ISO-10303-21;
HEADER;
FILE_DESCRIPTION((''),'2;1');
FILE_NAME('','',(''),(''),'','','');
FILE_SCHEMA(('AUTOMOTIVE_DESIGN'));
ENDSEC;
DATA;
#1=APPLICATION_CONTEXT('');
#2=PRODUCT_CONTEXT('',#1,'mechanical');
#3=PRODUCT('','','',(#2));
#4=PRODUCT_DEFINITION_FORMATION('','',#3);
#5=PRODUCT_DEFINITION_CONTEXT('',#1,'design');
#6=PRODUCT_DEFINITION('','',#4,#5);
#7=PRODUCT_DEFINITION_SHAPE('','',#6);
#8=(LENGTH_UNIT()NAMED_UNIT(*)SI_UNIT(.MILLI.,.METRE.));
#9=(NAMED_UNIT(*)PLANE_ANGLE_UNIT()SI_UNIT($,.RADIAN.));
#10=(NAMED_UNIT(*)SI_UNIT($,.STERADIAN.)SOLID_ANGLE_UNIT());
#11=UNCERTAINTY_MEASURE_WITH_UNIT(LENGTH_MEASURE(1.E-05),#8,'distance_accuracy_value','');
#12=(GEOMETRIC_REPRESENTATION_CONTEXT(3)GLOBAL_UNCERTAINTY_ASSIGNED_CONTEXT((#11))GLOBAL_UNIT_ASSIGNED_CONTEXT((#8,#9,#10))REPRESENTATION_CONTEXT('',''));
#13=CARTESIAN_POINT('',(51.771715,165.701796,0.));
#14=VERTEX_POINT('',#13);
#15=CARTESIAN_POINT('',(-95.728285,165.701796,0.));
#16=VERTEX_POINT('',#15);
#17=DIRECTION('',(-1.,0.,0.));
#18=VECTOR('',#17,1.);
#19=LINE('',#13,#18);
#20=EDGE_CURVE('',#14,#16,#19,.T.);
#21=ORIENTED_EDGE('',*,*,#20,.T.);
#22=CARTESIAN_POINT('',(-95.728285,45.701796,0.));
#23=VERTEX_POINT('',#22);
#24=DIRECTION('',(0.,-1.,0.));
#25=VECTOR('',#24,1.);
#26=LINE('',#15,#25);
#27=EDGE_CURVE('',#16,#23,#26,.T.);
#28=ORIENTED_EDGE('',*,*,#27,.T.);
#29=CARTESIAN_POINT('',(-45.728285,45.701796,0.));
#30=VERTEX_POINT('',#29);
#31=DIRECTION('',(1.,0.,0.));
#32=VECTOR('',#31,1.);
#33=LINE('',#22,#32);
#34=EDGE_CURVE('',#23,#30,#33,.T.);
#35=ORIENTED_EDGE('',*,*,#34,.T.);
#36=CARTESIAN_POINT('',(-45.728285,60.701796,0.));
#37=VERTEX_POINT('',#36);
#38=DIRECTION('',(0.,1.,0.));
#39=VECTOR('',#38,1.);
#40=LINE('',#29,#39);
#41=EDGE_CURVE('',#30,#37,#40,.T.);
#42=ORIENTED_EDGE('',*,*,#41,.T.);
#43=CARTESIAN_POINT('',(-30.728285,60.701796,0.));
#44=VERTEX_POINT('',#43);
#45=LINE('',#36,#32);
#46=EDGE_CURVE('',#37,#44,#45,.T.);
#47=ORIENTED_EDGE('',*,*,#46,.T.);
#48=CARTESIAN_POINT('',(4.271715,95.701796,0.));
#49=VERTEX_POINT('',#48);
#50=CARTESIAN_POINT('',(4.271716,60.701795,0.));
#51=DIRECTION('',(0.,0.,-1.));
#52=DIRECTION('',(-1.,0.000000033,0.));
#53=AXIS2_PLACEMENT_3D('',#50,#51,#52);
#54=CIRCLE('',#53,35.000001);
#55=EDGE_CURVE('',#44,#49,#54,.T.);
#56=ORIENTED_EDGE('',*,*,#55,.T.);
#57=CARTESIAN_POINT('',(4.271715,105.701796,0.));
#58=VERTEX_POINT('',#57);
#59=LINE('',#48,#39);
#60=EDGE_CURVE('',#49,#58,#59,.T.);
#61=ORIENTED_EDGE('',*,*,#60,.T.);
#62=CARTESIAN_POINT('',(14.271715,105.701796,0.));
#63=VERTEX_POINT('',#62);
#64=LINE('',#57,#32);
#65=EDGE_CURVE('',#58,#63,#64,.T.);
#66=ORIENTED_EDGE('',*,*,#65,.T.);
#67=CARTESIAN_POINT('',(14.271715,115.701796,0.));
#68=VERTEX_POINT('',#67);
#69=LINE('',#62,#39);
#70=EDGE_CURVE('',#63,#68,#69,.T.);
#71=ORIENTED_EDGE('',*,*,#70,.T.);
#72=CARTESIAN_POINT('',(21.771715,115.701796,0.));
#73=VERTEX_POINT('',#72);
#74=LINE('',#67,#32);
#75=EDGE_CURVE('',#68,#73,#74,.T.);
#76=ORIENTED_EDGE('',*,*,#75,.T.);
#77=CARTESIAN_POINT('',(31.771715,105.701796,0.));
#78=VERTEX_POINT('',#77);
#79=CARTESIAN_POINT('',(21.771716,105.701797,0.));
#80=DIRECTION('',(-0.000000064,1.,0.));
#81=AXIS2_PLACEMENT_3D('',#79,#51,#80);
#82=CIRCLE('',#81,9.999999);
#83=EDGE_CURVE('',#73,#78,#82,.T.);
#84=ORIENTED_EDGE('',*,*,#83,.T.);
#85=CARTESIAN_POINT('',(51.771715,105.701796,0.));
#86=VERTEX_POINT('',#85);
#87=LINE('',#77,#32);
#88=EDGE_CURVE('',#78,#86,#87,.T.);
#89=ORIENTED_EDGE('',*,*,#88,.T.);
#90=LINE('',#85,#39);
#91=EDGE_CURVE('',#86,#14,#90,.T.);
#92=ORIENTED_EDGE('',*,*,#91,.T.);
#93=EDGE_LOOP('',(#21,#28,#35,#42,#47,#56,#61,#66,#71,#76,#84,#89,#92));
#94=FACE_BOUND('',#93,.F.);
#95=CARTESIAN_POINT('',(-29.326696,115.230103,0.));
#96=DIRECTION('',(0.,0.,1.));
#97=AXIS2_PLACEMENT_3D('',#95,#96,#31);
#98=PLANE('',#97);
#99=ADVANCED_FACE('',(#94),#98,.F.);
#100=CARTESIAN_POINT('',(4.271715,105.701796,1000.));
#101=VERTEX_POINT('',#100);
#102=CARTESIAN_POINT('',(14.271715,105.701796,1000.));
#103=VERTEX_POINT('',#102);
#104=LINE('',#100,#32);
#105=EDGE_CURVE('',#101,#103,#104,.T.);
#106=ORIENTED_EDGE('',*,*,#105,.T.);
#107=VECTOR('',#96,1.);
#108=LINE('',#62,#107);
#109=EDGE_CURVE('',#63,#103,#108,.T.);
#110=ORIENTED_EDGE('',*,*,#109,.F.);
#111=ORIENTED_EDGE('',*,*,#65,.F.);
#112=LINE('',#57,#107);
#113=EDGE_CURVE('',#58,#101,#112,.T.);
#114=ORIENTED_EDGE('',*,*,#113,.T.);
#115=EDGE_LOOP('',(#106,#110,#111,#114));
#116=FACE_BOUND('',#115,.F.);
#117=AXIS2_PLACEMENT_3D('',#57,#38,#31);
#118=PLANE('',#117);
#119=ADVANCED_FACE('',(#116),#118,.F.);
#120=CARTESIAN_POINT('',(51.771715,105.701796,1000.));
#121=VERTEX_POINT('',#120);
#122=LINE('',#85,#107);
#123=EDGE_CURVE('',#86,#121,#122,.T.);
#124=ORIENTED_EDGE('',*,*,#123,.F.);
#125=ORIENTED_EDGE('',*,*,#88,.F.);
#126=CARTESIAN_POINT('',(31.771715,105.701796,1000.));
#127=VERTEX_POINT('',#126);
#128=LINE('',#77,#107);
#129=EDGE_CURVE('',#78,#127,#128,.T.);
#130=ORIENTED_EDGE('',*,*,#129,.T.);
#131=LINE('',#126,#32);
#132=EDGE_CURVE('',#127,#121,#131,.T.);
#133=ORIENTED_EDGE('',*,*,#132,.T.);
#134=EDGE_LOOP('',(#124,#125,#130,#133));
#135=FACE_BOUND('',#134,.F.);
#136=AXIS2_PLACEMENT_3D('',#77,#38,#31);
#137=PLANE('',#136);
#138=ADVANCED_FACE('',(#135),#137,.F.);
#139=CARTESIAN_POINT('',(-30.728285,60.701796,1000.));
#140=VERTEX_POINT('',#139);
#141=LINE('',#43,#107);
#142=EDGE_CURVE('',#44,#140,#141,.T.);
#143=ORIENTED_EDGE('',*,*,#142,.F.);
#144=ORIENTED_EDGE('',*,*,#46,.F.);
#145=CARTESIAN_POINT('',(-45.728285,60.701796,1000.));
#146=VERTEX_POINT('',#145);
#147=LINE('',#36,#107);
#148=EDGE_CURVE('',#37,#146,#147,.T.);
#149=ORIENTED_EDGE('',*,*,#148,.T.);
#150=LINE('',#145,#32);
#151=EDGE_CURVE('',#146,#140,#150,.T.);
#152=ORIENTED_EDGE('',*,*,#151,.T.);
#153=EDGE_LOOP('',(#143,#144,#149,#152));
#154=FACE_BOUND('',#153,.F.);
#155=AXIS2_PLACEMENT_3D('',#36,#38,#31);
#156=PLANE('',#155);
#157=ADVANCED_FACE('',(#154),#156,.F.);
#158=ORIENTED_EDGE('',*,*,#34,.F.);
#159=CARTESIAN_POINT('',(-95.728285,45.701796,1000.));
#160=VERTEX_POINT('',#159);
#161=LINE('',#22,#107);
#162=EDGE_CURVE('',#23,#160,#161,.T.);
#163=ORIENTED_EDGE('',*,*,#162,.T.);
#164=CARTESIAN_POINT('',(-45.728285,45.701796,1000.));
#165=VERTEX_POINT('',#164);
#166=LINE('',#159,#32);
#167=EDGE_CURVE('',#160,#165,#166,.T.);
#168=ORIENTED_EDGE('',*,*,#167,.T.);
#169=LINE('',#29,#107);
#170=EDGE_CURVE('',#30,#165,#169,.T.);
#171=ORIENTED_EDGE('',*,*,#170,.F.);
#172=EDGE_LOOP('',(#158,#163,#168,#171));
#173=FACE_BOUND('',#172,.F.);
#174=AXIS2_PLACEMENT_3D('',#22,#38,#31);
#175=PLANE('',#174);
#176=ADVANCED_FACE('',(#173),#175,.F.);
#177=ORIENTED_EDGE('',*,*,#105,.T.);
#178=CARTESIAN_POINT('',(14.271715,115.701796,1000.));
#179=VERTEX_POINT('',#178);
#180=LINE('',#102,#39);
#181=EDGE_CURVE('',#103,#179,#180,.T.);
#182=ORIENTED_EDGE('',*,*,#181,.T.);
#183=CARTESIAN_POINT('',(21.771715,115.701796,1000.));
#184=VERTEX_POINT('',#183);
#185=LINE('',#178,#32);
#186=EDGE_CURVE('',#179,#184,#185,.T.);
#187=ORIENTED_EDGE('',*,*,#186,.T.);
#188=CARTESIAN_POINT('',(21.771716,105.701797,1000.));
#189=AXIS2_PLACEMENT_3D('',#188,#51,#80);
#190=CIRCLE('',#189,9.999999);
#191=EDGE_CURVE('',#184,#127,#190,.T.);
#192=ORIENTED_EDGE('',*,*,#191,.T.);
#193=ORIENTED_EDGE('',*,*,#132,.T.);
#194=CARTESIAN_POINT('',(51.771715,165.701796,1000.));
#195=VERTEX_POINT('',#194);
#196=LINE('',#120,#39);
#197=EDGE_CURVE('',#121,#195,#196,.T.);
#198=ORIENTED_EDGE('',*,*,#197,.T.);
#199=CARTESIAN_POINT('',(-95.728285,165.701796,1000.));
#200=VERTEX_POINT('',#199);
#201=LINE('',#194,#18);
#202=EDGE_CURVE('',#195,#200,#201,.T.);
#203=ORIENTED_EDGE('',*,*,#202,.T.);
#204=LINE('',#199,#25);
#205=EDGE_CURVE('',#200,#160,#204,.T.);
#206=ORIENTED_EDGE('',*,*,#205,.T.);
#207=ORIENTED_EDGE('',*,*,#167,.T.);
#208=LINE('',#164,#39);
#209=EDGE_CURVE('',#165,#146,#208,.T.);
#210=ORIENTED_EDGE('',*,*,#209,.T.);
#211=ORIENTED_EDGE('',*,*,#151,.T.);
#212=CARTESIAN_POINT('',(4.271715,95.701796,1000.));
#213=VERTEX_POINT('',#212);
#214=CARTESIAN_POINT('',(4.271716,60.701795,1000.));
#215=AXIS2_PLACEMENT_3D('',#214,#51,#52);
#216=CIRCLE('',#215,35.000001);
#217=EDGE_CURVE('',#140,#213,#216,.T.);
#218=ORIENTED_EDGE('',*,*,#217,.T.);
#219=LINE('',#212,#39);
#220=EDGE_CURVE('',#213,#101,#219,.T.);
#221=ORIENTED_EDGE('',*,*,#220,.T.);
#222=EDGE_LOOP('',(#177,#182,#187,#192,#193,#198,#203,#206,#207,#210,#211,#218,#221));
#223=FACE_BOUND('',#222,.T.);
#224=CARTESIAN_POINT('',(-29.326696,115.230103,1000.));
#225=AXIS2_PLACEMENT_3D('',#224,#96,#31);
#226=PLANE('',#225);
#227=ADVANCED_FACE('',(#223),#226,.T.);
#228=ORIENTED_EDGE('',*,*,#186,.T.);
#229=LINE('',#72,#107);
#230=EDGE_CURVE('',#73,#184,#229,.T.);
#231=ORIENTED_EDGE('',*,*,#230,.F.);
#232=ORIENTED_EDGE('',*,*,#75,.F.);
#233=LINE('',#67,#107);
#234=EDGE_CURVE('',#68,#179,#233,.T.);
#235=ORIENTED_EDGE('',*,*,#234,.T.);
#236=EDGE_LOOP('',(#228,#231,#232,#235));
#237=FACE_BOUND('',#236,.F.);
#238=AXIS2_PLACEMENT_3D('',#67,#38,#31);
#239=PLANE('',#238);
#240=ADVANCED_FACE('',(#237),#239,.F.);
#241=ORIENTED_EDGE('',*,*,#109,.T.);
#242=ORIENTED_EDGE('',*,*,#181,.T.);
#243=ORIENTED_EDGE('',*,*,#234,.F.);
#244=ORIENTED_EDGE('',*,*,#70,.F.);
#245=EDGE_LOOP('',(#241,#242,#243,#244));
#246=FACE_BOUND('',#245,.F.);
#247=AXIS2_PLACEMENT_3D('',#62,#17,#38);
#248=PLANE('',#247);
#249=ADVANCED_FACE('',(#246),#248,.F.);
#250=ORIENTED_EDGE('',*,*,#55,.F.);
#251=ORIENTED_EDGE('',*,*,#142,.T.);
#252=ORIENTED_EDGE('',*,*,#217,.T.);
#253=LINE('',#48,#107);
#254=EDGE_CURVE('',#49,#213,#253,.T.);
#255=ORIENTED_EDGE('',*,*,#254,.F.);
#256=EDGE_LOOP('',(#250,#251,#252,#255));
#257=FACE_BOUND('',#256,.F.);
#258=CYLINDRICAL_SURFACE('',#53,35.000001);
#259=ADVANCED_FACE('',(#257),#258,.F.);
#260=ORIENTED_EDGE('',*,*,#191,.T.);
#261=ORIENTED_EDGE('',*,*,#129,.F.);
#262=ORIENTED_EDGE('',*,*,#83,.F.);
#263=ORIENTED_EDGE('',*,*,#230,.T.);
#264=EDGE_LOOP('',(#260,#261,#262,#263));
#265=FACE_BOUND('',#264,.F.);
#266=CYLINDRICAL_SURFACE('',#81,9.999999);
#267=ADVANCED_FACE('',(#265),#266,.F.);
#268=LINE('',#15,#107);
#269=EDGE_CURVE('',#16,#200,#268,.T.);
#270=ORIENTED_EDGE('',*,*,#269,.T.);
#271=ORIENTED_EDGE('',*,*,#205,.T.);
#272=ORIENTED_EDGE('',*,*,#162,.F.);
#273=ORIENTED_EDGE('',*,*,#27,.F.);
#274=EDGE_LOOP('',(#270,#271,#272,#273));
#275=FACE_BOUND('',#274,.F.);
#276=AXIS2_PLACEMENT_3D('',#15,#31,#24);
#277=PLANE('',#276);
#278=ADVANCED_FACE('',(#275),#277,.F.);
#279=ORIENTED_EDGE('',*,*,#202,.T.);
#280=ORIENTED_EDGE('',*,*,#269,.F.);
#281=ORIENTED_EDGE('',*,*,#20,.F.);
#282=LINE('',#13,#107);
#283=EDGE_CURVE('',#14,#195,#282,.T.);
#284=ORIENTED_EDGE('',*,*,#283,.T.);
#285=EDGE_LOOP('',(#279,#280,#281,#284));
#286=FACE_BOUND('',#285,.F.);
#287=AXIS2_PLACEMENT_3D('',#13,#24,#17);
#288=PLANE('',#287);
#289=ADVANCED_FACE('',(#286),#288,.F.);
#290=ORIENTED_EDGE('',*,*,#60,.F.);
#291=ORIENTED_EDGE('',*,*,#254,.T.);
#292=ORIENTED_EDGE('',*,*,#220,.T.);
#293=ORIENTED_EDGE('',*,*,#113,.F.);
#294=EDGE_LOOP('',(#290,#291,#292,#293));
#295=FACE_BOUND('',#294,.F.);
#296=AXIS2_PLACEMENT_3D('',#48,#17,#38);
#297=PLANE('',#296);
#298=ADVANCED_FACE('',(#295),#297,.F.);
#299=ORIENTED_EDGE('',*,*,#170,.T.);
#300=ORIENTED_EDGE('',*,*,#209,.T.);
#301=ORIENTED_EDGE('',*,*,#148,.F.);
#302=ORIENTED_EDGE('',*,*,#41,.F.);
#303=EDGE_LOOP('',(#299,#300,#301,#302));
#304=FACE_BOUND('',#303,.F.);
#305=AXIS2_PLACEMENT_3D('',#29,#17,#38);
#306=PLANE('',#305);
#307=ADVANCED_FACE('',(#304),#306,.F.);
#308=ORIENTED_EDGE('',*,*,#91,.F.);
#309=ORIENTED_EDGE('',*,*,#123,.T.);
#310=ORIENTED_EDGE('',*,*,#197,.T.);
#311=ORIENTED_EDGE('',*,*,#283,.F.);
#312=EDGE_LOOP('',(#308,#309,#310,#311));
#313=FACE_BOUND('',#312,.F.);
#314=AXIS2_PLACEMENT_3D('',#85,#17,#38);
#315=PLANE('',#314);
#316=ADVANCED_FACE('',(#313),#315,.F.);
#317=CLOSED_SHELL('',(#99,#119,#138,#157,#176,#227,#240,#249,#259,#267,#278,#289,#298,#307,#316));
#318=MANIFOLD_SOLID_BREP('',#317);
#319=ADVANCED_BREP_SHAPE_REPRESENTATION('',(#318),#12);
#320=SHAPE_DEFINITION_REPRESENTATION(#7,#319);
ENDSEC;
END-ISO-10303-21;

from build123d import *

# Parameters (mm, degrees)
F1_DEPTH = 1000


with BuildPart() as f1:
    # F0 (on Top) → F1 (new body)
    with BuildSketch(Plane.XY):
        with BuildLine():
            Line((51.771715, 105.701796), (51.771715, 165.701796))
            Line((51.771715, 165.701796), (-95.728285, 165.701796))
            Line((-95.728285, 165.701796), (-95.728285, 45.701796))
            Line((-95.728285, 45.701796), (-45.728285, 45.701796))
            Line((-45.728285, 45.701796), (-45.728285, 60.701796))
            Line((-45.728285, 60.701796), (-30.728285, 60.701796))
            ThreePointArc((-30.728285, 60.701796), (-20.477022, 85.450533), (4.271715, 95.701796))
            Line((4.271715, 95.701796), (4.271715, 105.701796))
            Line((4.271715, 105.701796), (14.271715, 105.701796))
            Line((14.271715, 105.701796), (14.271715, 115.701796))
            Line((14.271715, 115.701796), (21.771715, 115.701796))
            ThreePointArc((21.771715, 115.701796), (28.842783, 112.772864), (31.771715, 105.701796))
            Line((31.771715, 105.701796), (51.771715, 105.701796))
        make_face()
    extrude(amount=F1_DEPTH)


solid = f1.part
